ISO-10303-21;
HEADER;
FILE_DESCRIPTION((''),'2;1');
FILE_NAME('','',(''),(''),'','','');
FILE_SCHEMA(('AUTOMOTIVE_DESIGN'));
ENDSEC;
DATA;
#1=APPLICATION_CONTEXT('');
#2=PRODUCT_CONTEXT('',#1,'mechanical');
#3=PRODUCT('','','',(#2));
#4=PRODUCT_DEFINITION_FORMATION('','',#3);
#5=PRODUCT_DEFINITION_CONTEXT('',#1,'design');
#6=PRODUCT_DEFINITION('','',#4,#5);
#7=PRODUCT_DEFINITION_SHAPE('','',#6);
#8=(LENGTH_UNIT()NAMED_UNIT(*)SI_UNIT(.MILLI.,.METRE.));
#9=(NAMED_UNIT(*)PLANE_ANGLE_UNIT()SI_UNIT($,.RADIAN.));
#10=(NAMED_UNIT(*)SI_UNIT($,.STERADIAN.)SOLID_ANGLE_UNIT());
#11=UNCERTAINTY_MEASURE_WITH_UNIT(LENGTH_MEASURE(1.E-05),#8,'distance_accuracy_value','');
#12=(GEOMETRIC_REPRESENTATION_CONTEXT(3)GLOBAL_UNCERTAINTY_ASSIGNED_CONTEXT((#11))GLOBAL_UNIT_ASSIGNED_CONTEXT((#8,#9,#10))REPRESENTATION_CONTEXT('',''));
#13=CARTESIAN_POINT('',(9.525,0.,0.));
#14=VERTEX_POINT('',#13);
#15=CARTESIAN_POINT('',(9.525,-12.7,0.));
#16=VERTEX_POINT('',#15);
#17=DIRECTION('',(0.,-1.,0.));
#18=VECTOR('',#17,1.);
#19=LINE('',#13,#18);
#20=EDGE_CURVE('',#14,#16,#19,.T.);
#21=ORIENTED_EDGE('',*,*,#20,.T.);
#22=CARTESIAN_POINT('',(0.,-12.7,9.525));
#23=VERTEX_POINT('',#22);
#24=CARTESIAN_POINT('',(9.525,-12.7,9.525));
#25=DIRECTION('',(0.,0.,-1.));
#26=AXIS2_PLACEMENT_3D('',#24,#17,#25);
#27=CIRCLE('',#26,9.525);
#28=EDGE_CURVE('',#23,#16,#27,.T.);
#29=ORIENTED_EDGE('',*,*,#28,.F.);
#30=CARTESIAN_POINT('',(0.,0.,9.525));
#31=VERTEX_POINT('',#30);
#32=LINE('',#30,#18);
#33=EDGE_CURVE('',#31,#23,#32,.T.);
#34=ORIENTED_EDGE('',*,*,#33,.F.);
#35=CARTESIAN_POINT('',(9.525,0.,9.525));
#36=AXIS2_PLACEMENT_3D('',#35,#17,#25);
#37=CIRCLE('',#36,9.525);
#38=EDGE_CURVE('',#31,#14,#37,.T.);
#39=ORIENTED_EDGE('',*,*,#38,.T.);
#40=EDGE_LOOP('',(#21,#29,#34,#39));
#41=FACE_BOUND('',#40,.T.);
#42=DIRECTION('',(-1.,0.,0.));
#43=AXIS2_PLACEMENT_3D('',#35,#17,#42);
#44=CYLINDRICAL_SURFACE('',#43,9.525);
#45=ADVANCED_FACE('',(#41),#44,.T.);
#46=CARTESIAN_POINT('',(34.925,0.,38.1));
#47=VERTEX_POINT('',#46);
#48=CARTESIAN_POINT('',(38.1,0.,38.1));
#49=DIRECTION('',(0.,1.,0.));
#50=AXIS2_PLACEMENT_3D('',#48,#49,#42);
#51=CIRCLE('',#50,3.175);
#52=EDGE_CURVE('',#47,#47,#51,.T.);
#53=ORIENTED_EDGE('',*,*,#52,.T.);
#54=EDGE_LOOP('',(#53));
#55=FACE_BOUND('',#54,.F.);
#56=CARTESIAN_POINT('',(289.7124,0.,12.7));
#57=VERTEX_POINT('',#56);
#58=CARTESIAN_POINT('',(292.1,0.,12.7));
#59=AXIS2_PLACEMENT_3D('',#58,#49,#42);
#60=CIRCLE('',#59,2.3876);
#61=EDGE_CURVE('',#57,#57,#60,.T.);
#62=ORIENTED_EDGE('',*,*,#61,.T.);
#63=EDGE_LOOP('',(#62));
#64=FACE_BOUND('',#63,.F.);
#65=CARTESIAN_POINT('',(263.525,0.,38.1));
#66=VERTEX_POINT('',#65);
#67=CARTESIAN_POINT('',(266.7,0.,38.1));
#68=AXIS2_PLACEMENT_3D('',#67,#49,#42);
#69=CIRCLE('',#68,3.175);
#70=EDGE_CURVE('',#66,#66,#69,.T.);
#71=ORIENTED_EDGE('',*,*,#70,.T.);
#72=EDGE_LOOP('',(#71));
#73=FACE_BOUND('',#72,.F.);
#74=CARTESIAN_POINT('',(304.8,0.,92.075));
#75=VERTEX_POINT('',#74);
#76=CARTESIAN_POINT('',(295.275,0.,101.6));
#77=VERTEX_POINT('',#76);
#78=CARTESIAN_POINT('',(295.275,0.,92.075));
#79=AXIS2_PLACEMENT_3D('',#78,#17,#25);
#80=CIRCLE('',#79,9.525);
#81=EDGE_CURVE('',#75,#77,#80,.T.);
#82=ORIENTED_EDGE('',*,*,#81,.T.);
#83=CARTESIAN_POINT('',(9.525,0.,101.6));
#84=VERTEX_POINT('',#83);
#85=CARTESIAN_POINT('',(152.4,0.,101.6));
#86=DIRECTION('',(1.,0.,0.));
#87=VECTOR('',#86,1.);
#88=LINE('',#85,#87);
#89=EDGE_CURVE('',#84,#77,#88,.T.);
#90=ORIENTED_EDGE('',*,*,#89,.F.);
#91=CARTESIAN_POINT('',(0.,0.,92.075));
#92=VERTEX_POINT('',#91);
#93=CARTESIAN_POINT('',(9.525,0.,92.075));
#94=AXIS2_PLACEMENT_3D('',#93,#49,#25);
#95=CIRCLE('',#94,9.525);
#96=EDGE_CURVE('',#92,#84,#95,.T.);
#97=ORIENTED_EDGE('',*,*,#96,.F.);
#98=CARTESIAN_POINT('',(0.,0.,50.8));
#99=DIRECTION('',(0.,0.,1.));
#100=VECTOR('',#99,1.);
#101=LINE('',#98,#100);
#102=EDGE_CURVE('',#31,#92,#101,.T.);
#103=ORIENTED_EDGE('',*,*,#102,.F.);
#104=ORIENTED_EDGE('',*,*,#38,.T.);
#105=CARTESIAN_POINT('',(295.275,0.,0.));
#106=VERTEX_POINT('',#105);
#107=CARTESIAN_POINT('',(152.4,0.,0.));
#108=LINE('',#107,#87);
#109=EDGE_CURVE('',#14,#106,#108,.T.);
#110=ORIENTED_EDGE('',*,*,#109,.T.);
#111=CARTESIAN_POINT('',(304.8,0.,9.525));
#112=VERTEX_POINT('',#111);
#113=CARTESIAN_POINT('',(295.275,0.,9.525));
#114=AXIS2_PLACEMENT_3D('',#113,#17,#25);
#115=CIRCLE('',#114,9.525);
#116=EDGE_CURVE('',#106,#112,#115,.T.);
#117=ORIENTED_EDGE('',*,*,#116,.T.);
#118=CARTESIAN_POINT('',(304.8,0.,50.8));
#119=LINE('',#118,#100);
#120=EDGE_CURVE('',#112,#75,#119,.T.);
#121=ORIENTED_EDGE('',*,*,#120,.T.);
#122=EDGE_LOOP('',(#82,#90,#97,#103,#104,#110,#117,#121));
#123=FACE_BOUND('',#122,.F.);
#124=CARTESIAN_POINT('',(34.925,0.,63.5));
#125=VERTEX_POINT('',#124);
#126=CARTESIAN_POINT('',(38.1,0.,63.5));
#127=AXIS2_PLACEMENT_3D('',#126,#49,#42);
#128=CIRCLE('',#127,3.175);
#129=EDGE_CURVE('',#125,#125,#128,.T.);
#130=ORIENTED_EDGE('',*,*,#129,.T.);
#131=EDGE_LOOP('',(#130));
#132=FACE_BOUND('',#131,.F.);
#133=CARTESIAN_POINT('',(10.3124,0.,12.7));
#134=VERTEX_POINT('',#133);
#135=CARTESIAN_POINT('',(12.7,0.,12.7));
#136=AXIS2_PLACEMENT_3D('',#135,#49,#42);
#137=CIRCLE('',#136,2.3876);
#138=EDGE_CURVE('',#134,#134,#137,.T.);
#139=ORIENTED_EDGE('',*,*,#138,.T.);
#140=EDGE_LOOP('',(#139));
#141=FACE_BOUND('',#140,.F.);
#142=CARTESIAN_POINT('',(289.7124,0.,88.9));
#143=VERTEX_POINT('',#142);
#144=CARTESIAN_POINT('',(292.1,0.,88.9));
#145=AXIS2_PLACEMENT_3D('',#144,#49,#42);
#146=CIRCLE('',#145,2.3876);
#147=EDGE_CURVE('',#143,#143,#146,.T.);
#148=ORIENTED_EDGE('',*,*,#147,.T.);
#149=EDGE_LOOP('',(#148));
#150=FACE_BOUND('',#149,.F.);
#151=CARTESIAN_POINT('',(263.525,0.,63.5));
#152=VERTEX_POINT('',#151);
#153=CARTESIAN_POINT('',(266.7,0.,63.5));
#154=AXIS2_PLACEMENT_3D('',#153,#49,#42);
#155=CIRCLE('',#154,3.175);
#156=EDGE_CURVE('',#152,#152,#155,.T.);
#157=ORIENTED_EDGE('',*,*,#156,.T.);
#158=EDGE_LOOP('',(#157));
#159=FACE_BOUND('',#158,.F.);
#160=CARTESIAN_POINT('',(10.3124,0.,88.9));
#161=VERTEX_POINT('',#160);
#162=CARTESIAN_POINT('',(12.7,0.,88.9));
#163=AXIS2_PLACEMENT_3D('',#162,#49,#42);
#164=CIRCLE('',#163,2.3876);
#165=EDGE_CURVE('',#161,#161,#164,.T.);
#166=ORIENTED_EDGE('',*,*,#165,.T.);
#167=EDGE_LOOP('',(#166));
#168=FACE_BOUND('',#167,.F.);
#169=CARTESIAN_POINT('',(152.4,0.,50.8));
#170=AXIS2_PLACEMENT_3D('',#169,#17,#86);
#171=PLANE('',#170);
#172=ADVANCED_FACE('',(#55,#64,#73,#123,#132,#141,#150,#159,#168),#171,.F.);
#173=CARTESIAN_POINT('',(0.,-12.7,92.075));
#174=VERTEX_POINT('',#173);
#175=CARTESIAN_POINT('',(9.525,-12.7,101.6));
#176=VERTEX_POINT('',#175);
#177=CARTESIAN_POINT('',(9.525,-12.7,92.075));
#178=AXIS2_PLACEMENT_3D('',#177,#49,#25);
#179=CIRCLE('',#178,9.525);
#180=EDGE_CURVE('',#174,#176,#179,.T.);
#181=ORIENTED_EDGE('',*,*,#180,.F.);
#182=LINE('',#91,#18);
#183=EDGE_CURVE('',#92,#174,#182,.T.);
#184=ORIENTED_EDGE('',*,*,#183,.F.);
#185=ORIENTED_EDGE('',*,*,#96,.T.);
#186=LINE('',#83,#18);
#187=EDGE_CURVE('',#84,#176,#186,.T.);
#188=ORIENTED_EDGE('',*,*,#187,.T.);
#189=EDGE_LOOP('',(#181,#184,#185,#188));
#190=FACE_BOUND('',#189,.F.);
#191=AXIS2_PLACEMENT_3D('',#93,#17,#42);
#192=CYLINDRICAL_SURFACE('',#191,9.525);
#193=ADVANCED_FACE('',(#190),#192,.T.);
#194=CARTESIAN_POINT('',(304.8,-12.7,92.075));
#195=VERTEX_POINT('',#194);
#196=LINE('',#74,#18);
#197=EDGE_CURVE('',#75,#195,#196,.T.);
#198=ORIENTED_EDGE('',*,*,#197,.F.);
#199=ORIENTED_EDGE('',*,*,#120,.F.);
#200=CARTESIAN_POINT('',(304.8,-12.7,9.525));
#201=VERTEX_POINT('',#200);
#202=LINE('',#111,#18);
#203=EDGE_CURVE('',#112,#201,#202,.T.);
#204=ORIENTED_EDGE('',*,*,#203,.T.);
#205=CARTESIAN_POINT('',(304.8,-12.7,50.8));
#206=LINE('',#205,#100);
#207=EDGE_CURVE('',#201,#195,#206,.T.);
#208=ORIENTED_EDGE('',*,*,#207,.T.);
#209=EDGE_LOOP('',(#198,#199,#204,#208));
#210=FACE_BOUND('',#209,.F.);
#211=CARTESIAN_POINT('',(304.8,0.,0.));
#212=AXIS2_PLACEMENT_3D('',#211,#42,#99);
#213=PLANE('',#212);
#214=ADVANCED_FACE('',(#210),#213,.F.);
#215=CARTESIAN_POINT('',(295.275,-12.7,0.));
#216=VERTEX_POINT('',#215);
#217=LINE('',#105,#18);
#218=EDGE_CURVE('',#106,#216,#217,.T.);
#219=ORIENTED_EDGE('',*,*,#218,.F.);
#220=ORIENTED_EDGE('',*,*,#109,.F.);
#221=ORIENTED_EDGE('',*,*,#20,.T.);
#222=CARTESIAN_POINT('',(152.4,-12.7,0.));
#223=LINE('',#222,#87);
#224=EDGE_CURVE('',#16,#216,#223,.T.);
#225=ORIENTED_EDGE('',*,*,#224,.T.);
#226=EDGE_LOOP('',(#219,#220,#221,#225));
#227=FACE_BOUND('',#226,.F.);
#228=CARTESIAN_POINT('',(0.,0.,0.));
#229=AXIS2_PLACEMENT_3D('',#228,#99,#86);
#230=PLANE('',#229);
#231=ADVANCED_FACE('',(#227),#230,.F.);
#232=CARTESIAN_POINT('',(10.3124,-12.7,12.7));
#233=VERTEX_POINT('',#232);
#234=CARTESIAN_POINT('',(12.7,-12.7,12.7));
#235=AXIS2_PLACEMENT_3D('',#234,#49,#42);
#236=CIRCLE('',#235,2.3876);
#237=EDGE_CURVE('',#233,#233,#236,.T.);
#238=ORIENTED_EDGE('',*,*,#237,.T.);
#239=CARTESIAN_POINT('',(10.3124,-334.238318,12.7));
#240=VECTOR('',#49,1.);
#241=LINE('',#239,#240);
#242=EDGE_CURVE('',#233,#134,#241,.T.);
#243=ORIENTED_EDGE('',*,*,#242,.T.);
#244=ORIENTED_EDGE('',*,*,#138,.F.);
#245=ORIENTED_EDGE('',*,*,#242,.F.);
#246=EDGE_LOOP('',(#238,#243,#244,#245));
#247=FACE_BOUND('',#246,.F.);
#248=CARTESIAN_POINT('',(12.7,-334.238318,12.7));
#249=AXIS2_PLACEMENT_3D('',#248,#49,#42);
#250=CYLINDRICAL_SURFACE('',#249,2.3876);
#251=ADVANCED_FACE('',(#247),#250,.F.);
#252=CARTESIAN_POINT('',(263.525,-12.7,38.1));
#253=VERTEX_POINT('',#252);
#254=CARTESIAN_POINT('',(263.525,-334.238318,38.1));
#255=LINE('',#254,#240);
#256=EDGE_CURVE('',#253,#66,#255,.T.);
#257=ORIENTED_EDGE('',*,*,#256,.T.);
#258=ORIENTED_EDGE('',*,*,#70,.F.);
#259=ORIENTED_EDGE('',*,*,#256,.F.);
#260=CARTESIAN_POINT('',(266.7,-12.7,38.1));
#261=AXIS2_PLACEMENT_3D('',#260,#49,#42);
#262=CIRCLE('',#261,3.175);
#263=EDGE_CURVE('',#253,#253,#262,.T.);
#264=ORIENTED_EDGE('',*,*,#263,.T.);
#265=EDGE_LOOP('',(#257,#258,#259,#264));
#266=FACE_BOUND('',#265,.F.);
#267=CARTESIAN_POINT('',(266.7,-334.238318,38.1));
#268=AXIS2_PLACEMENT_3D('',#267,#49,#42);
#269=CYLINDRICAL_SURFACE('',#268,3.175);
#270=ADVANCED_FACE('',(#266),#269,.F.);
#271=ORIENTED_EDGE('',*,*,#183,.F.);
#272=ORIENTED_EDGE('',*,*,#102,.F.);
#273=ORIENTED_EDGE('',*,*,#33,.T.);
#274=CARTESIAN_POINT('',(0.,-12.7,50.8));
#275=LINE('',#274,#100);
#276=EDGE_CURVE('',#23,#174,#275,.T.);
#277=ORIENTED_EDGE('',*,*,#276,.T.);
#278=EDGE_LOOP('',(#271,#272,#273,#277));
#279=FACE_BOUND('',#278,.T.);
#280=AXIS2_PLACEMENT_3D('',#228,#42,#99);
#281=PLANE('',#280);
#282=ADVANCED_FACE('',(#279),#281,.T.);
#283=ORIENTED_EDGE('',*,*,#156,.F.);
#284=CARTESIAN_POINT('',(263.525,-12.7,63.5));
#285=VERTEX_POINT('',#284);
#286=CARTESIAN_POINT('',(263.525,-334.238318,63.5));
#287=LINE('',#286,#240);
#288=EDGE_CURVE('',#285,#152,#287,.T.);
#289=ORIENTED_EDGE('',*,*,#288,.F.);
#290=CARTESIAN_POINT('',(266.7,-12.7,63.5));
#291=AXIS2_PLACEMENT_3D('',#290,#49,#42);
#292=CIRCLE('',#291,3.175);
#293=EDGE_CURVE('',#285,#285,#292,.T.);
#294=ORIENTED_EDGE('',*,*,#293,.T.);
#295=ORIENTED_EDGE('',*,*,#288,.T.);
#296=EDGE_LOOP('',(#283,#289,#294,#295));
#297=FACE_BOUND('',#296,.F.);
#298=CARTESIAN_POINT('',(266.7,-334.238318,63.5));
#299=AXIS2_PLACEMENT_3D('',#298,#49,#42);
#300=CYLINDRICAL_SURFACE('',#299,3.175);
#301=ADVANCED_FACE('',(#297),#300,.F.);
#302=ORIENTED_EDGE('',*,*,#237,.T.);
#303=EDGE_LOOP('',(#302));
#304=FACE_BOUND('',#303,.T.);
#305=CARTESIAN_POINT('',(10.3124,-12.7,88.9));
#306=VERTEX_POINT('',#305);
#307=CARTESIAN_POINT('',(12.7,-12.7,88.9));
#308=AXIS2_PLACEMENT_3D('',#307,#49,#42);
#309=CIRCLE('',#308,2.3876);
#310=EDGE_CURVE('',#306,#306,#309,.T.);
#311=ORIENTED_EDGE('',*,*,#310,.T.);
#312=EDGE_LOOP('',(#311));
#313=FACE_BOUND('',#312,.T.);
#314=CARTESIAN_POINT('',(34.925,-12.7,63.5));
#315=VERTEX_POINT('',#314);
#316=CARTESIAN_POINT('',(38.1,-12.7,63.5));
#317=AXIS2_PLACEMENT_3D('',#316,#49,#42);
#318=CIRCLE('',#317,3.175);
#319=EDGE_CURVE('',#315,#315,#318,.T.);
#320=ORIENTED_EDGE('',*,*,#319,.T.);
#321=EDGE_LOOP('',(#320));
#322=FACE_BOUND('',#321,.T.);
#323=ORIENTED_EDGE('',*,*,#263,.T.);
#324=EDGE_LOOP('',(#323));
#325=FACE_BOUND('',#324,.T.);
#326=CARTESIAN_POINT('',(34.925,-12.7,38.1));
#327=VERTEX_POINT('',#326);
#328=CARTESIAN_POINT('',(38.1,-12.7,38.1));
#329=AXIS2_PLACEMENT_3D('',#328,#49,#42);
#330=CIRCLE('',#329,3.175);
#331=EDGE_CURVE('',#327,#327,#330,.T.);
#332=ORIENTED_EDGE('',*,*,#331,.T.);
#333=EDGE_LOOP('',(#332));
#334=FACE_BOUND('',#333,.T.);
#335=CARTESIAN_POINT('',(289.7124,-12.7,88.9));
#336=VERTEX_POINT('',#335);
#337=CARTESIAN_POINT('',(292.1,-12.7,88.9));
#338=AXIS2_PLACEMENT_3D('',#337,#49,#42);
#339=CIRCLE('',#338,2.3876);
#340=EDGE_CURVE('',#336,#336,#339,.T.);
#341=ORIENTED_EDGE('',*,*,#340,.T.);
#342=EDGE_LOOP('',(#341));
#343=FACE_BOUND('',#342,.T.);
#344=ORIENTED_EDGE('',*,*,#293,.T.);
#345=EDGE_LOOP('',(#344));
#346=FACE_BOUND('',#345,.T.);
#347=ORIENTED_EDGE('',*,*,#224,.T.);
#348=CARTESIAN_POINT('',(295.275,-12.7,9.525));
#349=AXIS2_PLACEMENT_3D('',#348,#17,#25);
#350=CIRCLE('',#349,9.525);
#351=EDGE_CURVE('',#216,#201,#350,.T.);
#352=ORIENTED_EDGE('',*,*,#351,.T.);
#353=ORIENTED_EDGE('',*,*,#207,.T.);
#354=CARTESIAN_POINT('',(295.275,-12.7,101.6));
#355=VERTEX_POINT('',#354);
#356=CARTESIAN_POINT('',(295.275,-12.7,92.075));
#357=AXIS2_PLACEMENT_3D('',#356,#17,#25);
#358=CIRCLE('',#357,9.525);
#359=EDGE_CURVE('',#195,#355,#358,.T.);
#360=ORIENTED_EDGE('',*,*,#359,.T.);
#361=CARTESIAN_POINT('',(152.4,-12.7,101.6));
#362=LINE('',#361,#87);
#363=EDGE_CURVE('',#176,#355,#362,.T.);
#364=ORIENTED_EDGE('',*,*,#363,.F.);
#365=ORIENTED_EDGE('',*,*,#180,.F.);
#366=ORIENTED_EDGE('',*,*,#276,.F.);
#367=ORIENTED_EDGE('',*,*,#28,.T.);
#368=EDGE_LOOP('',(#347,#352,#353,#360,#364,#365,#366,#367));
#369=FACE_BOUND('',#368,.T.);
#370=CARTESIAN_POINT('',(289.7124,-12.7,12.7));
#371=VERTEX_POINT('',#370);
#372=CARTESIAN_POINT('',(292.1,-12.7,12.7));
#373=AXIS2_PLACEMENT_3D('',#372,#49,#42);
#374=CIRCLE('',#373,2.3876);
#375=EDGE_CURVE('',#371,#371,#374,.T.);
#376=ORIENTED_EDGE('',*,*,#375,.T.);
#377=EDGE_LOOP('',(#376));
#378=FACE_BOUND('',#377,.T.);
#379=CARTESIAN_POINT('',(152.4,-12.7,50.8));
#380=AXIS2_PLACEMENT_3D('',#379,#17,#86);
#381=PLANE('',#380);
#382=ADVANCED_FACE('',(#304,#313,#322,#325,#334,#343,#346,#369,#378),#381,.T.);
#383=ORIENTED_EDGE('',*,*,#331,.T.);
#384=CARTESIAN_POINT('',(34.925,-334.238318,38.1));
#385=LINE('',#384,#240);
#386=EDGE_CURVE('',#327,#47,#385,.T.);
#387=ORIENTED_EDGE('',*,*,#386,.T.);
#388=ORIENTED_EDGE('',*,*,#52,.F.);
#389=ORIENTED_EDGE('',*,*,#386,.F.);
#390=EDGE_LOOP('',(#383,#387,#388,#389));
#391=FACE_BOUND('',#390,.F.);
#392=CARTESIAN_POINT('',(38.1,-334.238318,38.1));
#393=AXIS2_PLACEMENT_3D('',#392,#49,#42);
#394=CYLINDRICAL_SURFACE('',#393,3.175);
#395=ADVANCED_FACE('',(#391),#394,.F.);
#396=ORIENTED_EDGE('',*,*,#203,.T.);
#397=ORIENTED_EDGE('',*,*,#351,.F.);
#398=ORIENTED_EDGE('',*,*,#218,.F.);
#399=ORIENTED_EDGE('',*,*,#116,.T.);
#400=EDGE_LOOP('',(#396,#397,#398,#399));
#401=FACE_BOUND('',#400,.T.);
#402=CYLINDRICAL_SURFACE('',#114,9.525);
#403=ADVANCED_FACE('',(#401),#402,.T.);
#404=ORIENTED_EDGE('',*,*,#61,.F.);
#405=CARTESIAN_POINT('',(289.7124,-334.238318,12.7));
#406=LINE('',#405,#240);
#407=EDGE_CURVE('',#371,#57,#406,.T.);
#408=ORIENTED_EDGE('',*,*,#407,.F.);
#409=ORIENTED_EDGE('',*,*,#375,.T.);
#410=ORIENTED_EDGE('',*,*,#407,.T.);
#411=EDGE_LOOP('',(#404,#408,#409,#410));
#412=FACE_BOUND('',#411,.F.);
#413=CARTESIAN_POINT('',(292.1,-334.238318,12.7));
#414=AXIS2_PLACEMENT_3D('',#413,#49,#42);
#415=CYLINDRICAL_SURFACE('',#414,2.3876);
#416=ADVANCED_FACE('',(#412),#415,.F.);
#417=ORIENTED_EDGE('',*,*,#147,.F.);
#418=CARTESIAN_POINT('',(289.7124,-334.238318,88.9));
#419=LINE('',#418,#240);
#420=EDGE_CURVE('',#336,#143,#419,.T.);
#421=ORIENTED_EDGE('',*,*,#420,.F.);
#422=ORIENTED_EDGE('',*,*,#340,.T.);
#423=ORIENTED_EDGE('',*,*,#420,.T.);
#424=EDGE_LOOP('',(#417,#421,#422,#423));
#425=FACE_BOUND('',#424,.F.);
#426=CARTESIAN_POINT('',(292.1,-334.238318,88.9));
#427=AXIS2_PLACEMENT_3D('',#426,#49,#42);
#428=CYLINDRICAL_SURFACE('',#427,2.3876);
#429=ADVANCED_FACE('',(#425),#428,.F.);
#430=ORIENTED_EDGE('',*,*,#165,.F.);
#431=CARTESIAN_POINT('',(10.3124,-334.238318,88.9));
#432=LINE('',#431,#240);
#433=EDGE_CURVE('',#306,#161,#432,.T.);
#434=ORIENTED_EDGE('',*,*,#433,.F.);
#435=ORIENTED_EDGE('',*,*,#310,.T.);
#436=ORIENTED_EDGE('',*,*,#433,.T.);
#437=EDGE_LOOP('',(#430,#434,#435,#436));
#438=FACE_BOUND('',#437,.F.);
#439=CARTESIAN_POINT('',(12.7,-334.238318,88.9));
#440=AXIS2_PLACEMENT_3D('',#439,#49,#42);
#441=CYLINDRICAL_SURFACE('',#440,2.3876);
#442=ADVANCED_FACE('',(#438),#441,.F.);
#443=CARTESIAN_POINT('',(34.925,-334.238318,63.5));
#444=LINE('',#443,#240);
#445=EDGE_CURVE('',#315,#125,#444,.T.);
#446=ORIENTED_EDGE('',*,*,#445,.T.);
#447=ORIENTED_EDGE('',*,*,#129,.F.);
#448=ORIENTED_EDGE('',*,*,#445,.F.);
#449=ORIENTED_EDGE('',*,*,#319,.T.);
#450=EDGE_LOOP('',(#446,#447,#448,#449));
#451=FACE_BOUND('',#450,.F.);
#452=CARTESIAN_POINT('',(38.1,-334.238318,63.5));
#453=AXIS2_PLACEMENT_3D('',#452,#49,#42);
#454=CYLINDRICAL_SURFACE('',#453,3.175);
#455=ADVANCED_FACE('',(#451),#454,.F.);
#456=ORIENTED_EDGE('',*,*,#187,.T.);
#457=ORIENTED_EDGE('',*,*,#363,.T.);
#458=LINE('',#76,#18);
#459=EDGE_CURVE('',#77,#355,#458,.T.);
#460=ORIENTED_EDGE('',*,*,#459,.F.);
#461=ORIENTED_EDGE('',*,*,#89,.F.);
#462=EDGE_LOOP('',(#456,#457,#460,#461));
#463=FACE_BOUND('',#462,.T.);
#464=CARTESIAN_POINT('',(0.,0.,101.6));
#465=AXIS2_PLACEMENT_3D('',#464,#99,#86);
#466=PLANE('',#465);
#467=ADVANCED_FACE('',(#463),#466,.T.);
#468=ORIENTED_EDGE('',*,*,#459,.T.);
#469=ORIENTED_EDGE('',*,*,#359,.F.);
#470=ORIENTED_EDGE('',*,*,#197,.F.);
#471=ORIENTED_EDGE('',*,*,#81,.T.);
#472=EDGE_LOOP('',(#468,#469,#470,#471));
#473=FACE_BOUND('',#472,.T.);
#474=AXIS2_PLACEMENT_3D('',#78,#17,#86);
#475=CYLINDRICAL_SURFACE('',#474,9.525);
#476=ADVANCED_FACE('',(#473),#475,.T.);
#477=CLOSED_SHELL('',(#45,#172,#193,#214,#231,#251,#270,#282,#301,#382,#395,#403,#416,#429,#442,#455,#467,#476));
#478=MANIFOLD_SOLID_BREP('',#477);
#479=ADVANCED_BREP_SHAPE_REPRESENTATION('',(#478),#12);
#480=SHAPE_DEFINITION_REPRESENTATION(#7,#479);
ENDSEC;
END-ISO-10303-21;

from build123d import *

# Parameters (mm, degrees)
F0_W     = 304.8
F0_H     = 101.6
F1_DEPTH = 12.7
F2_R     = 9.525
F4_D     = 4.7752
F6_D     = 6.35


with BuildPart() as f1:
    # F0 (on Front) → F1 (new body)
    with BuildSketch(Plane.XZ):
        with Locations((152.4, 50.8)):
            Rectangle(F0_W, F0_H)
    extrude(amount=F1_DEPTH)

    # F2
    f2_edges = [f1.edges().sort_by_distance(p)[0] for p in [
        (0, -6.35, 101.6),
        (0, -6.35, 0),
        (304.8, -6.35, 0),
        (304.8, -6.35, 101.6),
    ]]
    fillet(f2_edges, radius=F2_R)

    # F4 (through all)
    with Locations(Plane.XZ.offset(12.7)):
        with Locations((12.7, 88.9), (12.7, 12.7), (292.1, 12.7), (292.1, 88.9)):
            Hole(F4_D / 2)

    # F6 (through all)
    with Locations(Plane.XZ.offset(12.7)):
        with Locations((38.1, 63.5), (38.1, 38.1), (266.7, 63.5), (266.7, 38.1)):
            Hole(F6_D / 2)


solid = f1.part
